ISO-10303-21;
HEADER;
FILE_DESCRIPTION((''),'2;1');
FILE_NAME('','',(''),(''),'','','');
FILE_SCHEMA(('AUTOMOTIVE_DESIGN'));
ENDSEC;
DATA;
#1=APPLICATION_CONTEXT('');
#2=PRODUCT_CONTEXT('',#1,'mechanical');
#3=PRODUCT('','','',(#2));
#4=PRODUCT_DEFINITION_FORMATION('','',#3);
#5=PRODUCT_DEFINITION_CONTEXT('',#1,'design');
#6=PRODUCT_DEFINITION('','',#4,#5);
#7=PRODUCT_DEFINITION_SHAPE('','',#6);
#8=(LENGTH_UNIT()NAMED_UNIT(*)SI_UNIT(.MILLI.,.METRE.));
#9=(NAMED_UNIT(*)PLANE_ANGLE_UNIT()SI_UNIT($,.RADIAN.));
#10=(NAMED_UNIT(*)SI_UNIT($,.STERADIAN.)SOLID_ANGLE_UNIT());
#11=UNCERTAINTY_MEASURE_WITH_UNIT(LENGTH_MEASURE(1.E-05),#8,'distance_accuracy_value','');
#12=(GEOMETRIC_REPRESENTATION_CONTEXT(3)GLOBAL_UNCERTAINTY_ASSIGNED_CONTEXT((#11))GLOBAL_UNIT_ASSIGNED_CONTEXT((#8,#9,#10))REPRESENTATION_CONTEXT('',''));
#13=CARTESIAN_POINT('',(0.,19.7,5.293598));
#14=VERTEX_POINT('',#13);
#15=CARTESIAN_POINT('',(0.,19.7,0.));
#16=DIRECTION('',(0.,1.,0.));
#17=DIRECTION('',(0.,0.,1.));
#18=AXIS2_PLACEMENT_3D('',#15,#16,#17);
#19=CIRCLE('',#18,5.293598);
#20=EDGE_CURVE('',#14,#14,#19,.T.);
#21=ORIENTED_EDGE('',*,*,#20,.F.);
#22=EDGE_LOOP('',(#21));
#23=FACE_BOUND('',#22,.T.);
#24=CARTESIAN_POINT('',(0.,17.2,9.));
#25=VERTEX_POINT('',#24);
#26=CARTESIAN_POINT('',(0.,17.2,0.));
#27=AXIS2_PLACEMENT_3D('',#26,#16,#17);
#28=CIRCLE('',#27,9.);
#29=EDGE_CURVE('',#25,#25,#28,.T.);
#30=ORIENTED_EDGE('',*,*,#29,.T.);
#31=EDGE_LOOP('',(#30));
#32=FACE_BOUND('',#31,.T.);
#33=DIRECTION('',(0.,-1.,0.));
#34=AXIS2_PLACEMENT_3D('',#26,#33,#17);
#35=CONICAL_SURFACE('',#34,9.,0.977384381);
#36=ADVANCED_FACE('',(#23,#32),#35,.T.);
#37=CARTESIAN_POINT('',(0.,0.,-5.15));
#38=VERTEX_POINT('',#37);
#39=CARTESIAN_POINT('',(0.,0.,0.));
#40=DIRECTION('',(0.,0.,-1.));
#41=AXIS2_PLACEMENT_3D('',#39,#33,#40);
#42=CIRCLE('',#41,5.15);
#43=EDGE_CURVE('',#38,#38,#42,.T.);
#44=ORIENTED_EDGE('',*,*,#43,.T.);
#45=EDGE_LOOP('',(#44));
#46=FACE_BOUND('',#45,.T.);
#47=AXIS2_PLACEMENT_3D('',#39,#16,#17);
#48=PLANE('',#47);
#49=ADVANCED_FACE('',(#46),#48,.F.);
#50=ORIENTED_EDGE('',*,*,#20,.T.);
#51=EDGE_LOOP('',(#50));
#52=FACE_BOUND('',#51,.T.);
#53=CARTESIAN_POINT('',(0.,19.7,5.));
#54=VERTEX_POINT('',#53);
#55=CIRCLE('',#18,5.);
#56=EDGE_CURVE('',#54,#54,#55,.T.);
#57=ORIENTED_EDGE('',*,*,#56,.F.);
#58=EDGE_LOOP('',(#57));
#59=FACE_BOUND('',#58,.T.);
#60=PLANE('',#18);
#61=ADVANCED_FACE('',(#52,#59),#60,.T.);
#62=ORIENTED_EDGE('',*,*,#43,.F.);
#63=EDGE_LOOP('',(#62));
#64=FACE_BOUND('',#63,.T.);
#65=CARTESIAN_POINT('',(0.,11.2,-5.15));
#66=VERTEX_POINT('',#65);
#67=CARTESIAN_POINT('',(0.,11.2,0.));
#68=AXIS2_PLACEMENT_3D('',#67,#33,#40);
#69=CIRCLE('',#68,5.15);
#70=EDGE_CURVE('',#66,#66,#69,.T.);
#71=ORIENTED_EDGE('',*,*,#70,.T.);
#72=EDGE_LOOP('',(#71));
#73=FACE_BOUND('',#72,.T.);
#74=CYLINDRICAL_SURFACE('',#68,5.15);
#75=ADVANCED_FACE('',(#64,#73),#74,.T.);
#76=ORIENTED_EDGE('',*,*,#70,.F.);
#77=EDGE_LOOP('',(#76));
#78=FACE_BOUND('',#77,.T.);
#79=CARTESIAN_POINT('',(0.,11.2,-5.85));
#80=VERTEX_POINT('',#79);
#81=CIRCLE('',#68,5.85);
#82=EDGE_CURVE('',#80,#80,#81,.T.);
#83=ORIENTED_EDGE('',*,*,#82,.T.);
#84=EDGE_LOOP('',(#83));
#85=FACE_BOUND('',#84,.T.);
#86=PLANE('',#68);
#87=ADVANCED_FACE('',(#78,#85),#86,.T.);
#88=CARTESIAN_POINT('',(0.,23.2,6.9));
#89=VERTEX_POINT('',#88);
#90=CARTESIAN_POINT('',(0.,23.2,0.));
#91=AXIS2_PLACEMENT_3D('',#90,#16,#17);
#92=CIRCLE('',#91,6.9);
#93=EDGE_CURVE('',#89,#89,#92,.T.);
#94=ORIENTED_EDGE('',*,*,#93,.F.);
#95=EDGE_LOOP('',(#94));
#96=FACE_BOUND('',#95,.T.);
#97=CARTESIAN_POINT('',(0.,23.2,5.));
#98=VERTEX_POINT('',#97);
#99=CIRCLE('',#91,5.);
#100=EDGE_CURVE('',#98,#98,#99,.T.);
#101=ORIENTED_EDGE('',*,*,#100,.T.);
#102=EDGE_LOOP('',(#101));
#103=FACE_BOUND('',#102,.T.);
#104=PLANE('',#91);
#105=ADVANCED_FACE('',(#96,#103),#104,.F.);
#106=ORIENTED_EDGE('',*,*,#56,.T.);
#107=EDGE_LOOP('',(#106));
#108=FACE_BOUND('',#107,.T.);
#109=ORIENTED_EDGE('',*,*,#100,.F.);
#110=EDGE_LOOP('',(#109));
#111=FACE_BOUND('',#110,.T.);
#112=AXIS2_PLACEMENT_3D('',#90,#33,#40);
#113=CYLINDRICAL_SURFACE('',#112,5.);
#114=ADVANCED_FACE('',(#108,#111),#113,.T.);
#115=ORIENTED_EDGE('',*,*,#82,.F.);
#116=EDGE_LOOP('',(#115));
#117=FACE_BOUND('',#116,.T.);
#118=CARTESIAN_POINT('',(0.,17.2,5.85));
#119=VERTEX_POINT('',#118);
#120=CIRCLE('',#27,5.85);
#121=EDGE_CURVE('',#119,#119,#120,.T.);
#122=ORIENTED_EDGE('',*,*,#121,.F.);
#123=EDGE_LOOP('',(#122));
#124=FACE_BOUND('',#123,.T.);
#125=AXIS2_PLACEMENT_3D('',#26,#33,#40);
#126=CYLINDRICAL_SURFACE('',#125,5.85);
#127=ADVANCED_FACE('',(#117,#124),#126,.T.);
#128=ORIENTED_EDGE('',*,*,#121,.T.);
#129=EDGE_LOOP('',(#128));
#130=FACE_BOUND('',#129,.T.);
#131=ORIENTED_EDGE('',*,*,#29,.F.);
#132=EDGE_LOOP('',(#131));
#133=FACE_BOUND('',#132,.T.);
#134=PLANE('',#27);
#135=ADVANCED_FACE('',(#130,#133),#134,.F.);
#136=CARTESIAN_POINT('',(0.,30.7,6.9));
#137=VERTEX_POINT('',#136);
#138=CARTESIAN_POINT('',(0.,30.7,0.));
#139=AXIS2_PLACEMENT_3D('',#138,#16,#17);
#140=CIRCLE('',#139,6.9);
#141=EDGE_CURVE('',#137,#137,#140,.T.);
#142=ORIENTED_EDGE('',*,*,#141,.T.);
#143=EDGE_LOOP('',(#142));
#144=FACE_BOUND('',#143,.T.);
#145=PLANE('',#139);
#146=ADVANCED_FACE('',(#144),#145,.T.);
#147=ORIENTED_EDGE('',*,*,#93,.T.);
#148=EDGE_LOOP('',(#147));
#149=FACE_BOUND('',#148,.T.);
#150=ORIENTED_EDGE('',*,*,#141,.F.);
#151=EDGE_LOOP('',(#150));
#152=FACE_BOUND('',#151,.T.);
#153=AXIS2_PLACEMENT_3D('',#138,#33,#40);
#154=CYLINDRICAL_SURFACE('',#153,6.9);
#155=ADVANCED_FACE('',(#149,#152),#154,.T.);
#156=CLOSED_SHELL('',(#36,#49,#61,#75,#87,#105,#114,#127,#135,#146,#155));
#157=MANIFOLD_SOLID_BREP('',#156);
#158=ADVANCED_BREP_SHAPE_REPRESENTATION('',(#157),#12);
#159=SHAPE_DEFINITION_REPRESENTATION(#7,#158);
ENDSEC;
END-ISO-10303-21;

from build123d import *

# Parameters (mm, degrees)
SKETCH1_R           = 5.85
BOSS_EXTRUDE1_DEPTH = 17.2
SKETCH2_R           = 9
BOSS_EXTRUDE2_DEPTH = 2.5
BOSS_EXTRUDE2_TAPER = 56
SKETCH3_R           = 5
BOSS_EXTRUDE3_DEPTH = 3.5
SKETCH4_R           = 6.9
BOSS_EXTRUDE4_DEPTH = 7.5
SKETCH5_OUTSIDE_W   = 27.976
SKETCH5_OUTSIDE_H   = 27.976
SKETCH5_OUTSIDE_R   = 5.15
CUT_EXTRUDE1_DEPTH  = 11.2


with BuildPart() as part:
    # Sketch1 → Boss-Extrude1 (new body)
    with BuildSketch(Plane(origin=(0, 0, 0), x_dir=(1, 0, 0), z_dir=(0, 1, 0))):
        with Locations(Location((0, 0, 0), (0, 0, 270))):  # turned: the seam where the file's is
            Circle(SKETCH1_R)
    extrude(amount=BOSS_EXTRUDE1_DEPTH)

    # Sketch2 → Boss-Extrude2 (add)
    with BuildSketch(Plane(origin=(0, 17.2, 0), x_dir=(1, 0, 0), z_dir=(0, 1, 0))):
        Circle(SKETCH2_R)
    extrude(amount=BOSS_EXTRUDE2_DEPTH, taper=BOSS_EXTRUDE2_TAPER)

    # Sketch3 → Boss-Extrude3 (add)
    with BuildSketch(Plane(origin=(0, 19.7, 0), x_dir=(1, 0, 0), z_dir=(0, 1, 0))):
        with Locations(Location((0, 0, 0), (0, 0, 270))):  # turned: the seam where the file's is
            Circle(SKETCH3_R)
    extrude(amount=BOSS_EXTRUDE3_DEPTH)

    # Sketch4 → Boss-Extrude4 (add)
    with BuildSketch(Plane(origin=(0, 23.2, 0), x_dir=(1, 0, 0), z_dir=(0, 1, 0))):
        with Locations(Location((0, 0, 0), (0, 0, 270))):  # turned: the seam where the file's is
            Circle(SKETCH4_R)
    extrude(amount=BOSS_EXTRUDE4_DEPTH)

    # Sketch5 outside → Cut-Extrude1 (cut)
    with BuildSketch(Plane.XZ):
        Rectangle(SKETCH5_OUTSIDE_W, SKETCH5_OUTSIDE_H)
        with Locations(Location((0, 0, 0), (0, 0, 270))):  # turned: the seam where the file's is
            Circle(SKETCH5_OUTSIDE_R, mode=Mode.SUBTRACT)
    extrude(amount=-CUT_EXTRUDE1_DEPTH, mode=Mode.SUBTRACT)


solid = part.part
